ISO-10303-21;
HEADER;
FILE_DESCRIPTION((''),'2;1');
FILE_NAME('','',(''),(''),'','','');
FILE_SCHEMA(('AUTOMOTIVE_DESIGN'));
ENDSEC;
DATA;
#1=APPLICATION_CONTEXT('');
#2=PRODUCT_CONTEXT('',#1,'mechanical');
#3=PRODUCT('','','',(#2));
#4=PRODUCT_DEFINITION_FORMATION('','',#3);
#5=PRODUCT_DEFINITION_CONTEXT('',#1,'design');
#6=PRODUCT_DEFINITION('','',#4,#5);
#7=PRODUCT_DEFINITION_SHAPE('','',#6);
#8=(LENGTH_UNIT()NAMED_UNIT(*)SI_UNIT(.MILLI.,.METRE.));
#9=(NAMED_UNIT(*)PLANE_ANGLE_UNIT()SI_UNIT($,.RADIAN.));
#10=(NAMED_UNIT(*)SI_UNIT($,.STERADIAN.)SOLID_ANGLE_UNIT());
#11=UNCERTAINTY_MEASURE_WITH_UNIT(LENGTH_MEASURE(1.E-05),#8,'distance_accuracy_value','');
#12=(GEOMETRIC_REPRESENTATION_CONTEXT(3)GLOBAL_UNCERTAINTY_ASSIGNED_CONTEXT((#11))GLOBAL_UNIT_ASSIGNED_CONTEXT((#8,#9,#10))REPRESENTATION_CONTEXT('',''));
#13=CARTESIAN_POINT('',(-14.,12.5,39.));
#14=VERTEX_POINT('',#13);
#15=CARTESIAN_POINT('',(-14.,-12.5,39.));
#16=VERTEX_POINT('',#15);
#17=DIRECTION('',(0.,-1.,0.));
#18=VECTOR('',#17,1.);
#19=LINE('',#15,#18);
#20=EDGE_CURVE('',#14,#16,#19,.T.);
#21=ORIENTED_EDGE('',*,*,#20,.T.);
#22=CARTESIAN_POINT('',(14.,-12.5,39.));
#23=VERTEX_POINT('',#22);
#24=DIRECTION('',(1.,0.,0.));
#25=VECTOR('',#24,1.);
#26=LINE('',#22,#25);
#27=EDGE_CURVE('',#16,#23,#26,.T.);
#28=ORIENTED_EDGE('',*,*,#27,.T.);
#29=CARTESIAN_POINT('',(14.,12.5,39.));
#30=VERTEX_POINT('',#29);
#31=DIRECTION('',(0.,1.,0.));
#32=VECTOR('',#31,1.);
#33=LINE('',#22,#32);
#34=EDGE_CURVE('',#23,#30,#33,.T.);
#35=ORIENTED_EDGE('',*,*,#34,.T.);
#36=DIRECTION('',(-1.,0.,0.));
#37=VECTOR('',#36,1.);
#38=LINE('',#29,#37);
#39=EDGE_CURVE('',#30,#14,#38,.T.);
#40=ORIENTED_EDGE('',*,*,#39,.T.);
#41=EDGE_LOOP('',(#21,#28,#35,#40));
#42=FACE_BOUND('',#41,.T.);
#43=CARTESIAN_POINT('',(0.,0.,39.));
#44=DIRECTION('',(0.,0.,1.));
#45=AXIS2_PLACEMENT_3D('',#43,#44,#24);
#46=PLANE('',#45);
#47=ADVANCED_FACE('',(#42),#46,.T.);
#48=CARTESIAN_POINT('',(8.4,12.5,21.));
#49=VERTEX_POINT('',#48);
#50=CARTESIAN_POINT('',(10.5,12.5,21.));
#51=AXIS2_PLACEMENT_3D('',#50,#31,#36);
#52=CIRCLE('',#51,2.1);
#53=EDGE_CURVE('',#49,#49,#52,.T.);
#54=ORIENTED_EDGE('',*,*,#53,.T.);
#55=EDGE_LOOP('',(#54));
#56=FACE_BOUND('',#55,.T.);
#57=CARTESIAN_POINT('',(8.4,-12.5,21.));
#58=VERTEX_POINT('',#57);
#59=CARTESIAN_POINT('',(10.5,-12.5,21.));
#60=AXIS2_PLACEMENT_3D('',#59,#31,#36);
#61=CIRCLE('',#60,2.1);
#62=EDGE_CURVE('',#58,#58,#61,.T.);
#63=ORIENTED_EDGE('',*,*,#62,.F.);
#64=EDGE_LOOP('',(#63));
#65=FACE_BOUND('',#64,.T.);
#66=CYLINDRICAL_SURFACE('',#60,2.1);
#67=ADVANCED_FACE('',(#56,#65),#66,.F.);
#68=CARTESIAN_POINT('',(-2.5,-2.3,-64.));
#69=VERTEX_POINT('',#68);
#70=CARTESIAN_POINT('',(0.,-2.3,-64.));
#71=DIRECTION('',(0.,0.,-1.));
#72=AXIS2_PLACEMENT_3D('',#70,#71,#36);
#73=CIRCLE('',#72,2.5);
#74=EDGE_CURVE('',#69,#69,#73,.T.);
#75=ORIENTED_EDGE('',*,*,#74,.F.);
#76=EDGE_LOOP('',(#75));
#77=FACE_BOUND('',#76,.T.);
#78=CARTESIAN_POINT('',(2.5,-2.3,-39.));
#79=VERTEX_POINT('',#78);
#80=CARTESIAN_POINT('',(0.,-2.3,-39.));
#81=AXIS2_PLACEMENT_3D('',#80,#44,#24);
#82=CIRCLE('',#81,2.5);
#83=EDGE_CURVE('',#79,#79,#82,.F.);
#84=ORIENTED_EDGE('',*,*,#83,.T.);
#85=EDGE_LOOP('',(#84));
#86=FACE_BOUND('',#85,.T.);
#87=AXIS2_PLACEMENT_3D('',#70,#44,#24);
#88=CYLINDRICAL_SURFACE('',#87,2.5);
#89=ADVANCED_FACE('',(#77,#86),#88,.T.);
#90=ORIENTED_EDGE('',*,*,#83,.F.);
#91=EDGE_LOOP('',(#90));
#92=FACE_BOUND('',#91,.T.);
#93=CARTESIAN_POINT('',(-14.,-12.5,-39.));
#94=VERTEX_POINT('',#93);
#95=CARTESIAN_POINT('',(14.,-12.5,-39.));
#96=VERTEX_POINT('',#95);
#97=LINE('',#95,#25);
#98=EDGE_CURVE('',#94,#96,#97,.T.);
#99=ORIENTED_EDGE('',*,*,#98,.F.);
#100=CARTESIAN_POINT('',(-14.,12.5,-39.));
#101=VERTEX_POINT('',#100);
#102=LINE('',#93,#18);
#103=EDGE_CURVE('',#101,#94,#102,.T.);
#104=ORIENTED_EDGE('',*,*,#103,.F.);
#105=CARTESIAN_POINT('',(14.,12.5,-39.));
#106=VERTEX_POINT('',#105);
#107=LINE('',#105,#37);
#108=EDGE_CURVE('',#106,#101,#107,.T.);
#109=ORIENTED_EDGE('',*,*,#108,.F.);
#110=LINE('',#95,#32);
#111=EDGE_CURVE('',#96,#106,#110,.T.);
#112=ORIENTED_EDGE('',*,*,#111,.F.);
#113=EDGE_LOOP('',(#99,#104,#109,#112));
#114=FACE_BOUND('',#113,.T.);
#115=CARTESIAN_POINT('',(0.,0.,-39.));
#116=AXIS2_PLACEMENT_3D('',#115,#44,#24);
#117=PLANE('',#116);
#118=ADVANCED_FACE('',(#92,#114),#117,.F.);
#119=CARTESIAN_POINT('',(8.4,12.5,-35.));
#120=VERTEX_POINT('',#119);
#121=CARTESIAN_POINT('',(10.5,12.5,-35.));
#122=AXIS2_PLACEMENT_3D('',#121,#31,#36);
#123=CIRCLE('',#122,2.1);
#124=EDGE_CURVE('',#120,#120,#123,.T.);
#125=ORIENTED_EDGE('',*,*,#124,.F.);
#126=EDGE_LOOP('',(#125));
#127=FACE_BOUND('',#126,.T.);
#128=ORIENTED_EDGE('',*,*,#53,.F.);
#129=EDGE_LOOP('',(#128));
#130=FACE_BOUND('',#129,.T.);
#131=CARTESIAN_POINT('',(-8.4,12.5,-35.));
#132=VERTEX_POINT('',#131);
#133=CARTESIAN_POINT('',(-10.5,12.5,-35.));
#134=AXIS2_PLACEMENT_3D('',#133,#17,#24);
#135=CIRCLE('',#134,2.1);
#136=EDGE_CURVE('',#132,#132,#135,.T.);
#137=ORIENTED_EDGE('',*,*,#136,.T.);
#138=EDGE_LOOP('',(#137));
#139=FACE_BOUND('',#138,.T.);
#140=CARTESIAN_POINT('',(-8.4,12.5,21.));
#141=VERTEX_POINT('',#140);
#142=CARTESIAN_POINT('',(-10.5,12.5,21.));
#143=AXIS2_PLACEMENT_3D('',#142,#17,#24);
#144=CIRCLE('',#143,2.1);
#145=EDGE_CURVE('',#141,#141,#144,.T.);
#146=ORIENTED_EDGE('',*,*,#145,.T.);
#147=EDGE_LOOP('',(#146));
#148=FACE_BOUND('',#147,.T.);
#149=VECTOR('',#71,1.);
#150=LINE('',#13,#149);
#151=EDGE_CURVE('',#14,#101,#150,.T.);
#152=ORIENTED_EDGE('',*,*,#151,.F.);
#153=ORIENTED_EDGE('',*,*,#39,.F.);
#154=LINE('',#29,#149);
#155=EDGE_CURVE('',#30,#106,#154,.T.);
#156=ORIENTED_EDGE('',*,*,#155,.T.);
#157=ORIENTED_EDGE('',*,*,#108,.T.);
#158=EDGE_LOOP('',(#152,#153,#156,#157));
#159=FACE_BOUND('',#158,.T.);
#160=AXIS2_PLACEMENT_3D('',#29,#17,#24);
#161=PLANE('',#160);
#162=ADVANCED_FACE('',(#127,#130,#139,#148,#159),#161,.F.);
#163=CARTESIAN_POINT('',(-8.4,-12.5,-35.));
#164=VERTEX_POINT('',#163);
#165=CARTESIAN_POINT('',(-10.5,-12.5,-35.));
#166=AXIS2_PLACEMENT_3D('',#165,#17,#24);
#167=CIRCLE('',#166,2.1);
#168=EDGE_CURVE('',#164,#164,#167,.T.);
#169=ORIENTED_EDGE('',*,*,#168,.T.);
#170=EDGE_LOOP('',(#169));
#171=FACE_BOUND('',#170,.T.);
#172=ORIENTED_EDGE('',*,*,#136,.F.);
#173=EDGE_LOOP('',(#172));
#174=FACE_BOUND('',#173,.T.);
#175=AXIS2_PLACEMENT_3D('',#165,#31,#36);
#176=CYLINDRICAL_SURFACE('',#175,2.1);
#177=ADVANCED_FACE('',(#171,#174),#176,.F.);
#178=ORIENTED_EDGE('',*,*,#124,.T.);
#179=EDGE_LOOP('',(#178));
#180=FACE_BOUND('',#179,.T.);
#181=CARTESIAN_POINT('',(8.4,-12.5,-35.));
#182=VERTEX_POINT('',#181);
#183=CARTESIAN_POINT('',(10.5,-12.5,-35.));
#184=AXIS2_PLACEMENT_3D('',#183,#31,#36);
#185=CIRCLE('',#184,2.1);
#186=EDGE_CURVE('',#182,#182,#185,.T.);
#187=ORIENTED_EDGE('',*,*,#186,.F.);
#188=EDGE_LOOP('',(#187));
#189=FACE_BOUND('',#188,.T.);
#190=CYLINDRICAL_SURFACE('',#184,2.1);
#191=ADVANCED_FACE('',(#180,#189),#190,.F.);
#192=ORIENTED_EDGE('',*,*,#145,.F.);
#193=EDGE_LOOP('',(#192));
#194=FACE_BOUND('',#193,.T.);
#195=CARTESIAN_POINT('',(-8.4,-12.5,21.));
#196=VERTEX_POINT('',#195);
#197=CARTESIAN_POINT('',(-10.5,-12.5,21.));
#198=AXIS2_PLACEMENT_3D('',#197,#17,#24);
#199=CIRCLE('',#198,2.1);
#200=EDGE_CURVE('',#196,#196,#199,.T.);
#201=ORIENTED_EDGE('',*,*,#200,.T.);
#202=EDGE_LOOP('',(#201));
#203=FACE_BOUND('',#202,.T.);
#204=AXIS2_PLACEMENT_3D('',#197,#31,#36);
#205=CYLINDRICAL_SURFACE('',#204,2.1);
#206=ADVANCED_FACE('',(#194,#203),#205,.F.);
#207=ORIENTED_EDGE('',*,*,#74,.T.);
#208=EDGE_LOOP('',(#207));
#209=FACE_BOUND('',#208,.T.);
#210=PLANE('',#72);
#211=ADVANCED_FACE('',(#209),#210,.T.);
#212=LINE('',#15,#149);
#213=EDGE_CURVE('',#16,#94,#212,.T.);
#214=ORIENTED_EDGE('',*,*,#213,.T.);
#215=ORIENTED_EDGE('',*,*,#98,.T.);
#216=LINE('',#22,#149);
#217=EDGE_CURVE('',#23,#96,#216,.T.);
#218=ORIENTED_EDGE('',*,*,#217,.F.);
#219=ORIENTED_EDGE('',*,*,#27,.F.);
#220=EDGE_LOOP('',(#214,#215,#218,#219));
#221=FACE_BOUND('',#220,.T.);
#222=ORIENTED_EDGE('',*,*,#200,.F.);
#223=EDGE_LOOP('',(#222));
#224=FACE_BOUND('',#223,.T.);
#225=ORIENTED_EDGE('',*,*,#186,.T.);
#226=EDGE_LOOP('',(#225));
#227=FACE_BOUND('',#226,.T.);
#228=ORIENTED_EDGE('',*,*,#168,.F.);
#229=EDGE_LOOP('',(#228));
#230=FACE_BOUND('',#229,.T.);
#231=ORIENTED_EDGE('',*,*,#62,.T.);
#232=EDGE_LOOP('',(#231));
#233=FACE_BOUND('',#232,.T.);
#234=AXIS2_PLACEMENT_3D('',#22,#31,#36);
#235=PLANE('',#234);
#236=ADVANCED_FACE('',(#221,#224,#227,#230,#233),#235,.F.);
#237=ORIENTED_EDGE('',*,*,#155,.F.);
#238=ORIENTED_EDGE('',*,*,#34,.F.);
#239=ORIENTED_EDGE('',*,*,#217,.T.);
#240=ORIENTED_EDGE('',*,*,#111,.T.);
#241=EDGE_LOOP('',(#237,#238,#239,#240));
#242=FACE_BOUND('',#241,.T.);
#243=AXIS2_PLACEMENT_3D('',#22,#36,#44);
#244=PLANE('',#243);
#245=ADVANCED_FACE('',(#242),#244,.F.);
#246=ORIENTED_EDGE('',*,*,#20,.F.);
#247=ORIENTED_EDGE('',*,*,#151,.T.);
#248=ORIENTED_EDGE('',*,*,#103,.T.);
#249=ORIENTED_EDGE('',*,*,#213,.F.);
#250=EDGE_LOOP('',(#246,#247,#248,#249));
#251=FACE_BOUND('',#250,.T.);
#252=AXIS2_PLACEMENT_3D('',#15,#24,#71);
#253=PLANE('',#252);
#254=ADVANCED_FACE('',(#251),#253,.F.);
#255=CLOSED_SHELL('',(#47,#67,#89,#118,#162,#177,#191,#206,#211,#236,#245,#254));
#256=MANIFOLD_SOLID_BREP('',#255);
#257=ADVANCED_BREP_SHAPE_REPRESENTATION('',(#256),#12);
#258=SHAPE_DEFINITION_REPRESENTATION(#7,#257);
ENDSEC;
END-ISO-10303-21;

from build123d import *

# Parameters (mm, degrees)
SKETCH1_W           = 28
SKETCH1_H           = 25
BOSS_EXTRUDE1_DEPTH = 39
SKETCH2_R           = 2.1
CUT_EXTRUDE1_DEPTH  = 49.39421453
SKETCH3_R           = 2.5
BOSS_EXTRUDE2_DEPTH = 25


with BuildPart() as part:
    # Sketch1 → Boss-Extrude1 (new, symmetric)
    with BuildSketch(Plane.XY):
        Rectangle(SKETCH1_W, SKETCH1_H)
    extrude(amount=BOSS_EXTRUDE1_DEPTH, both=True)

    # Sketch2 → Cut-Extrude1 (cut, through all)
    with BuildSketch(Plane(origin=(0, 12.5, 0), x_dir=(1, 0, 0), z_dir=(0, 1, 0))):
        with Locations(Location((10.5, 35, 0), (0, 0, 180))):
            Circle(SKETCH2_R)
        with Locations(Location((10.5, -21, 0), (0, 0, 180))):
            Circle(SKETCH2_R)
    cut_extrude1 = extrude(amount=-CUT_EXTRUDE1_DEPTH, mode=Mode.SUBTRACT)

    # Mirror1: Cut-Extrude1 across plane
    add(cut_extrude1.mirror(Plane(origin=(0, 0, 0), x_dir=(0, 0, 1), z_dir=(1, 0, 0))), mode=Mode.SUBTRACT)

    # Sketch3 → Boss-Extrude2 (add)
    with BuildSketch(Plane(origin=(0, 0, -39), x_dir=(-1, 0, 0), z_dir=(0, 0, -1))):
        with Locations(Location((0, -2.3, 0), (0, 0, 180))):
            Circle(SKETCH3_R)
    extrude(amount=BOSS_EXTRUDE2_DEPTH)


solid = part.part
